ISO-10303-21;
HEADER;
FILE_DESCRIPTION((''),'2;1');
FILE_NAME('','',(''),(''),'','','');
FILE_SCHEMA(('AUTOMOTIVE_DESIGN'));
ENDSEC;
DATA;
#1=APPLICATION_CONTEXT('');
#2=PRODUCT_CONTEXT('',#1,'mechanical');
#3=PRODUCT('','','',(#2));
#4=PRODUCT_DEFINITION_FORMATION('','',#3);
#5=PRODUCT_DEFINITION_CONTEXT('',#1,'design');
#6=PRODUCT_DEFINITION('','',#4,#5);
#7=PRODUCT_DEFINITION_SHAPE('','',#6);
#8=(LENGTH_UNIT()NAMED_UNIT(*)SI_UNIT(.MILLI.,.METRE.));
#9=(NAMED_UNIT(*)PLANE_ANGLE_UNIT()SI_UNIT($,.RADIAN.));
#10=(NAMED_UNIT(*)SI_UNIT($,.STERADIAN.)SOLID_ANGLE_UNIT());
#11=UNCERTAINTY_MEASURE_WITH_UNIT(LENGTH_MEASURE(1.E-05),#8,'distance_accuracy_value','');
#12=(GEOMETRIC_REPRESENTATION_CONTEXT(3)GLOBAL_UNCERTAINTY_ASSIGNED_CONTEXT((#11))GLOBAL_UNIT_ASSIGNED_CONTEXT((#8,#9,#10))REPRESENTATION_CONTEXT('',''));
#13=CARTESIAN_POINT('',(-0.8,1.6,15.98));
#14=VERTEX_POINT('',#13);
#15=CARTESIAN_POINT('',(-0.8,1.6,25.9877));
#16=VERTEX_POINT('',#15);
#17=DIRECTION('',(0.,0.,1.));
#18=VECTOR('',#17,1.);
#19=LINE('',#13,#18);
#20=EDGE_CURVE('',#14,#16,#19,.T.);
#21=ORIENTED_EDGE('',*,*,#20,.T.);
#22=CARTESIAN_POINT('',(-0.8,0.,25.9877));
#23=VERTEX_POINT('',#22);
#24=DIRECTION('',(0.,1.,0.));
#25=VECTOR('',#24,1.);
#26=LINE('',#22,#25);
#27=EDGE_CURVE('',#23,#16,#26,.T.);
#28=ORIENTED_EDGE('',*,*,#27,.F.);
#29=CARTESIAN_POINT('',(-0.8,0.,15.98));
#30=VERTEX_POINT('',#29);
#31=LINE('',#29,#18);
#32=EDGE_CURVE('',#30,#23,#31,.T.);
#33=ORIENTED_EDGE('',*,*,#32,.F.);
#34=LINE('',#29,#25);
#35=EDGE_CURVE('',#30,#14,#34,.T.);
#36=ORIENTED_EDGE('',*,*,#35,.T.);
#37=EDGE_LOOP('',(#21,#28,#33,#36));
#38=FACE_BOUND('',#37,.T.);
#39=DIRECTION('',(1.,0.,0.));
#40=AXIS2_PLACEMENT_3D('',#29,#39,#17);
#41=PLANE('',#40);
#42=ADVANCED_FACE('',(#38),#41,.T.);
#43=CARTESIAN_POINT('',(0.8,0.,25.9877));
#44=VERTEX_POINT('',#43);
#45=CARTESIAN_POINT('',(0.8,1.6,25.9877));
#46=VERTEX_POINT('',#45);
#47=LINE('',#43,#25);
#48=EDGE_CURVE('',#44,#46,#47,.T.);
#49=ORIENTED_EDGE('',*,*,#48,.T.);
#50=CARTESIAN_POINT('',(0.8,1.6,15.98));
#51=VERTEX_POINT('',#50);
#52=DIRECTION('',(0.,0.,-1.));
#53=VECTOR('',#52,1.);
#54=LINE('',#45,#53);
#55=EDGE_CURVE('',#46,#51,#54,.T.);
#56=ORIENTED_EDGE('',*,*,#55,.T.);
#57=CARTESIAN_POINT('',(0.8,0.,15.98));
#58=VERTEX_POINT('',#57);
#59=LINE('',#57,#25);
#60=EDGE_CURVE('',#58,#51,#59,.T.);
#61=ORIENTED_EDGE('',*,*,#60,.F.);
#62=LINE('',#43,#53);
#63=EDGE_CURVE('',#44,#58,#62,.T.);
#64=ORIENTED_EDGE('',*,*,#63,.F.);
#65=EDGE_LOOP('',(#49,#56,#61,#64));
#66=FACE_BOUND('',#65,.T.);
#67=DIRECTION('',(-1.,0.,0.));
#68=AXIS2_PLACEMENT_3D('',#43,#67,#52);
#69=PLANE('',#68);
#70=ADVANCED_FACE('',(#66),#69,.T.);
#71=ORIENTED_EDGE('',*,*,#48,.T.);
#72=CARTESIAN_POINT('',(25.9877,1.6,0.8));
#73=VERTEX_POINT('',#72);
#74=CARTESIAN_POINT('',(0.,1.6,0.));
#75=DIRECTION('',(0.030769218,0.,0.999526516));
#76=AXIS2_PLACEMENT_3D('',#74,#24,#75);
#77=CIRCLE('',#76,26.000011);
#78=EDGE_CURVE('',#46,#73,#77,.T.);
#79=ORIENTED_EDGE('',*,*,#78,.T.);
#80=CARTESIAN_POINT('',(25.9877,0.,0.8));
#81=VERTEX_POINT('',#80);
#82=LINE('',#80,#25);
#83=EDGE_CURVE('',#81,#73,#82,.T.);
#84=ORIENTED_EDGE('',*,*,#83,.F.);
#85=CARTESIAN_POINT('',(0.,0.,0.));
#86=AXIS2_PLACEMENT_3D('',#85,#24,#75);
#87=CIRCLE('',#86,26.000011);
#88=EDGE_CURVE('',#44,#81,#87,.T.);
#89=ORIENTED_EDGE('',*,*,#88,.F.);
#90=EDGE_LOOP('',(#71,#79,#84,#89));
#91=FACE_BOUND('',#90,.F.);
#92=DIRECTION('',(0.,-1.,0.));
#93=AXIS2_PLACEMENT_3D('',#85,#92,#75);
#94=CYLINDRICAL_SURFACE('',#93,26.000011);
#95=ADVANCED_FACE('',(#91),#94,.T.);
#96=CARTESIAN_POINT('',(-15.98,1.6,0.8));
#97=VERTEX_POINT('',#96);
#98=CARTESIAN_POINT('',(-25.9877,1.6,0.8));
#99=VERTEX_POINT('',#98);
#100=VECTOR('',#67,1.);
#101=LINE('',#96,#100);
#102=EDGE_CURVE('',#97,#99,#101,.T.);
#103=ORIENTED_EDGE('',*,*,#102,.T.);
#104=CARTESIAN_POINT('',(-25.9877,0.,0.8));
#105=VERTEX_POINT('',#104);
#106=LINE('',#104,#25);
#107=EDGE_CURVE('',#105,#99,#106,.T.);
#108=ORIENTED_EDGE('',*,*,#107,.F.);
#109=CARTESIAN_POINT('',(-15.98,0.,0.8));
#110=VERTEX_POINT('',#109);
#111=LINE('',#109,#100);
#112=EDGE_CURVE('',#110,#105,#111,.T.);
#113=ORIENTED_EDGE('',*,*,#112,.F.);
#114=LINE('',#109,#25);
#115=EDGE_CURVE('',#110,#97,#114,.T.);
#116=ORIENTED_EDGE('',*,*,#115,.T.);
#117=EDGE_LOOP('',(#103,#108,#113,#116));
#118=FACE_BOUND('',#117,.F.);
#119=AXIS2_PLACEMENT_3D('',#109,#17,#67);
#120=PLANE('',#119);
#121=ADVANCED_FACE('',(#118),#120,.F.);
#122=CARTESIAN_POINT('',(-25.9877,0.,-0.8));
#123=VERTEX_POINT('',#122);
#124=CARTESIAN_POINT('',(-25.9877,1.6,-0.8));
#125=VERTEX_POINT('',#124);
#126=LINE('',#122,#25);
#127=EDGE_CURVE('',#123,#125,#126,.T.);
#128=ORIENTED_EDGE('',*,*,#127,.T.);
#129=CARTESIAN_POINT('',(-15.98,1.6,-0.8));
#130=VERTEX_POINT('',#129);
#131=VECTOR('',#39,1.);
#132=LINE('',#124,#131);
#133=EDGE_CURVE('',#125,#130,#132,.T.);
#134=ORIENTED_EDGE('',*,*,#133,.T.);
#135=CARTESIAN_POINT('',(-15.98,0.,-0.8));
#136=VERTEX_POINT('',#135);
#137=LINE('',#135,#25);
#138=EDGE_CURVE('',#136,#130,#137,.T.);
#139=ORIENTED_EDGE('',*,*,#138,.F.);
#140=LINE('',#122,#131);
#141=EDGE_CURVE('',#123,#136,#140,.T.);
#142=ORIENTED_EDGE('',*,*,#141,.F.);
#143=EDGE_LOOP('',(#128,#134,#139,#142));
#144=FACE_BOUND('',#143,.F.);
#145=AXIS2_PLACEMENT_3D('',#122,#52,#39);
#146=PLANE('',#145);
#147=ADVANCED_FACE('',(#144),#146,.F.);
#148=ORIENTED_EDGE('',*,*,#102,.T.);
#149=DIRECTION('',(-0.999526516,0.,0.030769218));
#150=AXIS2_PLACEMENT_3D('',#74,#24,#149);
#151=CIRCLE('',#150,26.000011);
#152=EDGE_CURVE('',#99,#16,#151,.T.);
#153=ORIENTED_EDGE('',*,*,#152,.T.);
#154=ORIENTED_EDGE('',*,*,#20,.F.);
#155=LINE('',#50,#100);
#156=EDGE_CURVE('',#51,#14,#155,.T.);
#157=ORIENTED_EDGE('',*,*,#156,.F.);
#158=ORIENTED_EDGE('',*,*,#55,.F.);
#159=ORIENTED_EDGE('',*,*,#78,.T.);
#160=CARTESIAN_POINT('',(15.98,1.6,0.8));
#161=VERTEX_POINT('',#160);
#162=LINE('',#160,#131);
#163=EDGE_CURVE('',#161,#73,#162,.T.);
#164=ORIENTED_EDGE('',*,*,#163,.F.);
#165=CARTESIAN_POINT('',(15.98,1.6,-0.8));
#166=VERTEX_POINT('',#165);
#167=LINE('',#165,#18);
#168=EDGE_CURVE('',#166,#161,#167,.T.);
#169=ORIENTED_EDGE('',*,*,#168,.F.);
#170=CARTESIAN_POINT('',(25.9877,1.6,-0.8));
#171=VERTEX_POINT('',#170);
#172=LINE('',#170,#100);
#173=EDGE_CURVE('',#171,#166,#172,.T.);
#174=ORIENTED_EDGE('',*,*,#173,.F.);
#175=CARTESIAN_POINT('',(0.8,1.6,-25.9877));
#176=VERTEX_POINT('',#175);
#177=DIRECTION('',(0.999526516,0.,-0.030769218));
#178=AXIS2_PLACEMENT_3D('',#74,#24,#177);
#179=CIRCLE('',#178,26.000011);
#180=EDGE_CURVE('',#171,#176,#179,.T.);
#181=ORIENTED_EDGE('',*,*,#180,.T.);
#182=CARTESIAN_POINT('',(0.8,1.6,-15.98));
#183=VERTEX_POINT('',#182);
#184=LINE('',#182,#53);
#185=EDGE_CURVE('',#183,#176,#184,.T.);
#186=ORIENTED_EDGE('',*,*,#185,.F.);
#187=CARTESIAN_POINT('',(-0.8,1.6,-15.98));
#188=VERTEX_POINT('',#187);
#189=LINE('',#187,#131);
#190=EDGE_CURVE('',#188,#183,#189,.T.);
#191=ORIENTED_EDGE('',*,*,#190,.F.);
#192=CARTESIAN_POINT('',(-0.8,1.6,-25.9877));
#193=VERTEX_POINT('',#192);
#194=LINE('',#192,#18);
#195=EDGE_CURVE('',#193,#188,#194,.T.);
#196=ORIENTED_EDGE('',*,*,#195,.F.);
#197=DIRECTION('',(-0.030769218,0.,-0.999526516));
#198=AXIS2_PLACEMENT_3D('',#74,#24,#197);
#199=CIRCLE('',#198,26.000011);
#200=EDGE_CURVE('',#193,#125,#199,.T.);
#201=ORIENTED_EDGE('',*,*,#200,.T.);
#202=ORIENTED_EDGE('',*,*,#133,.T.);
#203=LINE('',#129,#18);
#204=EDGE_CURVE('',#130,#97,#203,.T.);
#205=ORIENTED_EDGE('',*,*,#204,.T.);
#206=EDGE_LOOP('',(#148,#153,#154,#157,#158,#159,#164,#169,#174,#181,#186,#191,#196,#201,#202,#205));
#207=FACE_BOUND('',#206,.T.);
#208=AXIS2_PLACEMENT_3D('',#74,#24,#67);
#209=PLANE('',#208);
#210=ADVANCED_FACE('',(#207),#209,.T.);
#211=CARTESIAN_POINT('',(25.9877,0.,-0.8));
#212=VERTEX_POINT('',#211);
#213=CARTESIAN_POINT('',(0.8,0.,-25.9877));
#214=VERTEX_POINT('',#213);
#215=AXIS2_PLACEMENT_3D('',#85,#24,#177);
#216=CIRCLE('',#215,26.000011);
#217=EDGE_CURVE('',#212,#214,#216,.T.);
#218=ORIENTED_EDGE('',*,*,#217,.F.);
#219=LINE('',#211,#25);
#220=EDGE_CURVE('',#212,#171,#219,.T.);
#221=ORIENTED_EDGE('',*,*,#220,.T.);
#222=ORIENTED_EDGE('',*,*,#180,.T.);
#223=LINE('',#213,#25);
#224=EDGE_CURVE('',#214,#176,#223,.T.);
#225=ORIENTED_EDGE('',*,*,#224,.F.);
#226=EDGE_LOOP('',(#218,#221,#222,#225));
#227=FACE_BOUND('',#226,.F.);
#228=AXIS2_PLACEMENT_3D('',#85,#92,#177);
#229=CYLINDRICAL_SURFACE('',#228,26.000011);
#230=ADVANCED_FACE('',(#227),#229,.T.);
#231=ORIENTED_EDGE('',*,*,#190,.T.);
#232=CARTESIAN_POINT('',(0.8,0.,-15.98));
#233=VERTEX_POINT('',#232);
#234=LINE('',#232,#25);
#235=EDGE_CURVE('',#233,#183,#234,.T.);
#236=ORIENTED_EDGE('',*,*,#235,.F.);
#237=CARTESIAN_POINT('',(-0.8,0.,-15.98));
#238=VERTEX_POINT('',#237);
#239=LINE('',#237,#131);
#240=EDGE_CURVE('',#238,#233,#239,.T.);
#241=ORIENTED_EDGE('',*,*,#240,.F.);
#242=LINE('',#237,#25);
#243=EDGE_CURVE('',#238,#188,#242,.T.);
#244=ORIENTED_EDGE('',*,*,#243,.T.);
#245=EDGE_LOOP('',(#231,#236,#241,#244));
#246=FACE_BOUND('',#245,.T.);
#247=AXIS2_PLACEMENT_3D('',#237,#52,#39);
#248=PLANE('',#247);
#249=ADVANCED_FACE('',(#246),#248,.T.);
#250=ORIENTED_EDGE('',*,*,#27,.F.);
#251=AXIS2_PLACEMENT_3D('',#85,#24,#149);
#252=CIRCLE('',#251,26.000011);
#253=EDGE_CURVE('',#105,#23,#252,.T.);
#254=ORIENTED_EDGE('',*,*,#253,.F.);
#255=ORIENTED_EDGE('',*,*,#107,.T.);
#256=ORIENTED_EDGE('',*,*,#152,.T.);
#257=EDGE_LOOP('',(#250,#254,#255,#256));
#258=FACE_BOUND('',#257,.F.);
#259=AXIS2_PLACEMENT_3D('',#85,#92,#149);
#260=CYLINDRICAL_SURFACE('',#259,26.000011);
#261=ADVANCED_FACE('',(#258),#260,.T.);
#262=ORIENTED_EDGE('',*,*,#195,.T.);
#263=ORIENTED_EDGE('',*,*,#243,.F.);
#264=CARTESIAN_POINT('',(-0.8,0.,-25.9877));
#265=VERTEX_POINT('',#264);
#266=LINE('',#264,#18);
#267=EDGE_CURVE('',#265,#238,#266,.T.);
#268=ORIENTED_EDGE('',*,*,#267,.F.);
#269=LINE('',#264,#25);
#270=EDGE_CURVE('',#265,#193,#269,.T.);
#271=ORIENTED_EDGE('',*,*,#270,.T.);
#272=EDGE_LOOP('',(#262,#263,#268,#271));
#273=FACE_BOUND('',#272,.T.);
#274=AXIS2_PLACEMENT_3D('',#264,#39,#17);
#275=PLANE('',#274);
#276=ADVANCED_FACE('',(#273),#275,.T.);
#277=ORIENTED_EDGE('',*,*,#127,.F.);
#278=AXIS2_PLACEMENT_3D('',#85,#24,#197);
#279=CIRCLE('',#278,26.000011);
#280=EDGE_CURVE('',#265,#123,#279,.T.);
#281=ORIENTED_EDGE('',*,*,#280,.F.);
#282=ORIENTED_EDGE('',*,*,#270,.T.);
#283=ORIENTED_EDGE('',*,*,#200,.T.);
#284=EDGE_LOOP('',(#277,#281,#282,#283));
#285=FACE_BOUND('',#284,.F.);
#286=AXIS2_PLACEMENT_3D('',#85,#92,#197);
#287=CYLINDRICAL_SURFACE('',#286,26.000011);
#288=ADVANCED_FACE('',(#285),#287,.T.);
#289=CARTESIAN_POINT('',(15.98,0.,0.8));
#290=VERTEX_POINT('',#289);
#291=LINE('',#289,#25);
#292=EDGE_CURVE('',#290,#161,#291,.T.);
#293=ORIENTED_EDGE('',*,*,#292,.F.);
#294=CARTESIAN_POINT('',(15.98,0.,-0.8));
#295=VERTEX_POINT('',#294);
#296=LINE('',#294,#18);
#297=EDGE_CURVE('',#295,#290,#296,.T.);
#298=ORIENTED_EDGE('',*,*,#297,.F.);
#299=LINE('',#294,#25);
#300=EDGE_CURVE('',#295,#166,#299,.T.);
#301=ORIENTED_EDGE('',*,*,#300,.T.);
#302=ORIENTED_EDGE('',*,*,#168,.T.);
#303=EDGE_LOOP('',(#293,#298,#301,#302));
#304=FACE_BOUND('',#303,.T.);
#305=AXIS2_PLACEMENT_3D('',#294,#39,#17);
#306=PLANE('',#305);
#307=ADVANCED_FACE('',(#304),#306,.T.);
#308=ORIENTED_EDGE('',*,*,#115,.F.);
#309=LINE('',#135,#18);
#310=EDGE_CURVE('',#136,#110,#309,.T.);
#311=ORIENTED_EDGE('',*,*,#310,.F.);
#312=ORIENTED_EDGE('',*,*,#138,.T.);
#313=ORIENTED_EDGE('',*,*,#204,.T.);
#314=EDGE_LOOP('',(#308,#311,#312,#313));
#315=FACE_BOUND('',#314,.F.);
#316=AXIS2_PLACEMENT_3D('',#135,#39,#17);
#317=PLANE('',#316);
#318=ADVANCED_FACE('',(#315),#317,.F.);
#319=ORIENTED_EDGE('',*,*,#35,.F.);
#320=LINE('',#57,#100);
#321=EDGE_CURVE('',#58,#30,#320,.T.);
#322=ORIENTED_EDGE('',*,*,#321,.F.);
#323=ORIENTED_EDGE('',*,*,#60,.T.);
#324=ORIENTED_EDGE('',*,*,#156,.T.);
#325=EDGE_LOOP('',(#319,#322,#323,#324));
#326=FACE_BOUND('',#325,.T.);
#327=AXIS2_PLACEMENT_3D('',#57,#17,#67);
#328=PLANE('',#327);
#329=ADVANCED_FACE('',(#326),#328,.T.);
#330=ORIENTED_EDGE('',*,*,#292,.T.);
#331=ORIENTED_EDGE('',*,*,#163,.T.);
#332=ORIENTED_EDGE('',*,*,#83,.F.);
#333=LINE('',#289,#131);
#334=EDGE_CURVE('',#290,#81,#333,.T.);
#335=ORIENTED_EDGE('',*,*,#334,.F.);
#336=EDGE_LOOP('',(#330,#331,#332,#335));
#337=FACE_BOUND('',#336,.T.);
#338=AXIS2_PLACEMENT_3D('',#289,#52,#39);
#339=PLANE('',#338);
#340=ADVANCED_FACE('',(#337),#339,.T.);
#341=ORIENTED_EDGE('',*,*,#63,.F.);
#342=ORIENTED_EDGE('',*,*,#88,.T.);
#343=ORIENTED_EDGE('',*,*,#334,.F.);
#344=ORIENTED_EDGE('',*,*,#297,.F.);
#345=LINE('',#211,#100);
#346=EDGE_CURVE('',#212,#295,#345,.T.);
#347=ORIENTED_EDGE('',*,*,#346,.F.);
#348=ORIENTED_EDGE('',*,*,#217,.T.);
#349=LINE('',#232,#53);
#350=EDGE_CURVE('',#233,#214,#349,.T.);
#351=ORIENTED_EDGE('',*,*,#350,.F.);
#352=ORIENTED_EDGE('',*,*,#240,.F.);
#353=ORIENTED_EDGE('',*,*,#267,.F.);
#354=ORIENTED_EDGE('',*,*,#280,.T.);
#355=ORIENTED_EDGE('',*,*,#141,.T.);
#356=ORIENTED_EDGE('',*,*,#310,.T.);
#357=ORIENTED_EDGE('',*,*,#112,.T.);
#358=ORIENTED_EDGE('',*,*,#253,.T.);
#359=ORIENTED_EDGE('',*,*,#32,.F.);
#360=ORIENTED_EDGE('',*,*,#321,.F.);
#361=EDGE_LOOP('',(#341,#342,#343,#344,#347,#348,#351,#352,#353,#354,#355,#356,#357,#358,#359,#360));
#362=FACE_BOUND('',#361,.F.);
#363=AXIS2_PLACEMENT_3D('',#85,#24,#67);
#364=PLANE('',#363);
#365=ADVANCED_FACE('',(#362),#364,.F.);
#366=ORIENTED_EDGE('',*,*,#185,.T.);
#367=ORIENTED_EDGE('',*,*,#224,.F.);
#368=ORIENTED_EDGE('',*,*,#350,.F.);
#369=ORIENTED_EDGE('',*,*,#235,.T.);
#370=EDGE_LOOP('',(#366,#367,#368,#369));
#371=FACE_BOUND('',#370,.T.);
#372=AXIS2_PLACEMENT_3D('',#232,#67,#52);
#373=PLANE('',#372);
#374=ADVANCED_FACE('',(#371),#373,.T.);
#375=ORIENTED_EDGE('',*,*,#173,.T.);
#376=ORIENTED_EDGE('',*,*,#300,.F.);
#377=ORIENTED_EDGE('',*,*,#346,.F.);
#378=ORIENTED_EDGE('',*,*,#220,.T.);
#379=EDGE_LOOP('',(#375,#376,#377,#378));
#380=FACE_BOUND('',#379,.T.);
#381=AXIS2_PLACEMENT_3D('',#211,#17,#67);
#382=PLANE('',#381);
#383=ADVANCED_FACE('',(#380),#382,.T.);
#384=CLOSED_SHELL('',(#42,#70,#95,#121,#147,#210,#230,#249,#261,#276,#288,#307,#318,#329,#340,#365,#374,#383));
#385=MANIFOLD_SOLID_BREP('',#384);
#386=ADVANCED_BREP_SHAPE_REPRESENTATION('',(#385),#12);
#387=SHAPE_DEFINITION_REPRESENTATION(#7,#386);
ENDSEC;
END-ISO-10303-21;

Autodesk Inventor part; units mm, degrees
ref_plane "YZ Plane" through (0, 0, 0) normal (1, 0, 0) x (0, 1, 0)
ref_plane "XZ Plane" through (0, 0, 0) normal (0, 1, 0) x (-1, 0, 0)
ref_plane "XY Plane" through (0, 0, 0) normal (0, 0, 1) x (1, 0, 0)
sketch "Sketch1" plane through (0, 0, 0) normal (0, 1, 0) x (-1, 0, 0)
  point P0 (0, 0)
sketch "Sketch2" plane through (0, 0, 0) normal (0, 1, 0) x (-1, 0, 0)
  line L0 (46.5779, 0.8) -> (15.98, 0.8) construction
  line L1 (47.5028, -0.8) -> (-15.98, -0.8) construction
  line L2 (0.8, 38.8593) -> (0.8, 25.9877) construction
  line L3 (-0.8, 36.7319) -> (-0.8, -46.7895) construction
  arc A0 (15.98, 0.8) -> (0.8, 15.98) centre (0, 0) ccw construction
  arc A1 (-0.8, 15.98) -> (-15.98, 0.8) centre (0, 0) ccw construction
  line L4 (0.8, 25.9877) -> (0.8, -15.98) construction
  arc A2 (-0.8, 25.9877) -> (-25.9877, 0.8) centre (0, 0) ccw
  line L5 (0.8, -15.98) -> (0.8, -47.3445) construction
  arc A3 (0.8, -25.9877) -> (25.9877, -0.8) centre (0, 0) ccw
  arc A4 (25.9877, 0.8) -> (0.8, 25.9877) centre (0, 0) ccw
  line L6 (15.98, 0.8) -> (-25.9877, 0.8) construction
  line L7 (-15.98, -0.8) -> (-25.9877, -0.8) construction
  line L8 (-25.9877, 0.8) -> (-44.4844, 0.8) construction
  line L9 (-25.9877, -0.8) -> (-44.0655, -0.8) construction
  arc A5 (-25.9877, -0.8) -> (-0.8, -25.9877) centre (0, 0) ccw
  arc A6 (-15.98, -0.8) -> (-0.8, -15.98) centre (0, 0) ccw construction
  arc A7 (0.8, -15.98) -> (15.98, -0.8) centre (0, 0) ccw construction
  circle A8 centre (0, 0) radius 16 construction
  circle A9 centre (0, 0) radius 26 construction
  line L10 (25.9877, -0.8) -> (15.98, -0.8)
  line L11 (15.98, -0.8) -> (15.98, 0.8)
  line L12 (15.98, 0.8) -> (25.9877, 0.8)
  line L13 (0.8, -25.9877) -> (0.8, -15.98)
  line L14 (0.8, -15.98) -> (-0.8, -15.98)
  line L15 (-0.8, -15.98) -> (-0.8, -25.9877)
  line L16 (-25.9877, -0.8) -> (-15.98, -0.8)
  line L17 (-15.98, -0.8) -> (-15.98, 0.8)
  line L18 (-15.98, 0.8) -> (-25.9877, 0.8)
  line L19 (-0.8, 25.9877) -> (-0.8, 15.98)
  line L20 (-0.8, 15.98) -> (0.8, 15.98)
  line L21 (0.8, 15.98) -> (0.8, 25.9877)
  line L22 (0, 0) -> (-0.8, -25.9877) construction
  line L23 (0, 0) -> (-25.9877, -0.8) construction
  dimension "d2" = 0.8
  dimension "d3" = 0.8
  dimension "d4" = 0.8
  dimension "d5" = 0.8
  dimension "d6" = 32
  dimension "d7" = 0
  dimension "d8" = 0
  dimension "d9" = 52
  dimension "d10" = 0
  dimension "d11" = 0
  dimension "d12" = 0
  dimension "d15" = 86.474
extrude "Extrusion1" add sketch "Sketch2" along normal blind 1.6
equation "\"d3\" = d2"
equation "\"d4\" = d2"
equation "\"d5\" = d2"
properties part number "standin_quad_hub"
